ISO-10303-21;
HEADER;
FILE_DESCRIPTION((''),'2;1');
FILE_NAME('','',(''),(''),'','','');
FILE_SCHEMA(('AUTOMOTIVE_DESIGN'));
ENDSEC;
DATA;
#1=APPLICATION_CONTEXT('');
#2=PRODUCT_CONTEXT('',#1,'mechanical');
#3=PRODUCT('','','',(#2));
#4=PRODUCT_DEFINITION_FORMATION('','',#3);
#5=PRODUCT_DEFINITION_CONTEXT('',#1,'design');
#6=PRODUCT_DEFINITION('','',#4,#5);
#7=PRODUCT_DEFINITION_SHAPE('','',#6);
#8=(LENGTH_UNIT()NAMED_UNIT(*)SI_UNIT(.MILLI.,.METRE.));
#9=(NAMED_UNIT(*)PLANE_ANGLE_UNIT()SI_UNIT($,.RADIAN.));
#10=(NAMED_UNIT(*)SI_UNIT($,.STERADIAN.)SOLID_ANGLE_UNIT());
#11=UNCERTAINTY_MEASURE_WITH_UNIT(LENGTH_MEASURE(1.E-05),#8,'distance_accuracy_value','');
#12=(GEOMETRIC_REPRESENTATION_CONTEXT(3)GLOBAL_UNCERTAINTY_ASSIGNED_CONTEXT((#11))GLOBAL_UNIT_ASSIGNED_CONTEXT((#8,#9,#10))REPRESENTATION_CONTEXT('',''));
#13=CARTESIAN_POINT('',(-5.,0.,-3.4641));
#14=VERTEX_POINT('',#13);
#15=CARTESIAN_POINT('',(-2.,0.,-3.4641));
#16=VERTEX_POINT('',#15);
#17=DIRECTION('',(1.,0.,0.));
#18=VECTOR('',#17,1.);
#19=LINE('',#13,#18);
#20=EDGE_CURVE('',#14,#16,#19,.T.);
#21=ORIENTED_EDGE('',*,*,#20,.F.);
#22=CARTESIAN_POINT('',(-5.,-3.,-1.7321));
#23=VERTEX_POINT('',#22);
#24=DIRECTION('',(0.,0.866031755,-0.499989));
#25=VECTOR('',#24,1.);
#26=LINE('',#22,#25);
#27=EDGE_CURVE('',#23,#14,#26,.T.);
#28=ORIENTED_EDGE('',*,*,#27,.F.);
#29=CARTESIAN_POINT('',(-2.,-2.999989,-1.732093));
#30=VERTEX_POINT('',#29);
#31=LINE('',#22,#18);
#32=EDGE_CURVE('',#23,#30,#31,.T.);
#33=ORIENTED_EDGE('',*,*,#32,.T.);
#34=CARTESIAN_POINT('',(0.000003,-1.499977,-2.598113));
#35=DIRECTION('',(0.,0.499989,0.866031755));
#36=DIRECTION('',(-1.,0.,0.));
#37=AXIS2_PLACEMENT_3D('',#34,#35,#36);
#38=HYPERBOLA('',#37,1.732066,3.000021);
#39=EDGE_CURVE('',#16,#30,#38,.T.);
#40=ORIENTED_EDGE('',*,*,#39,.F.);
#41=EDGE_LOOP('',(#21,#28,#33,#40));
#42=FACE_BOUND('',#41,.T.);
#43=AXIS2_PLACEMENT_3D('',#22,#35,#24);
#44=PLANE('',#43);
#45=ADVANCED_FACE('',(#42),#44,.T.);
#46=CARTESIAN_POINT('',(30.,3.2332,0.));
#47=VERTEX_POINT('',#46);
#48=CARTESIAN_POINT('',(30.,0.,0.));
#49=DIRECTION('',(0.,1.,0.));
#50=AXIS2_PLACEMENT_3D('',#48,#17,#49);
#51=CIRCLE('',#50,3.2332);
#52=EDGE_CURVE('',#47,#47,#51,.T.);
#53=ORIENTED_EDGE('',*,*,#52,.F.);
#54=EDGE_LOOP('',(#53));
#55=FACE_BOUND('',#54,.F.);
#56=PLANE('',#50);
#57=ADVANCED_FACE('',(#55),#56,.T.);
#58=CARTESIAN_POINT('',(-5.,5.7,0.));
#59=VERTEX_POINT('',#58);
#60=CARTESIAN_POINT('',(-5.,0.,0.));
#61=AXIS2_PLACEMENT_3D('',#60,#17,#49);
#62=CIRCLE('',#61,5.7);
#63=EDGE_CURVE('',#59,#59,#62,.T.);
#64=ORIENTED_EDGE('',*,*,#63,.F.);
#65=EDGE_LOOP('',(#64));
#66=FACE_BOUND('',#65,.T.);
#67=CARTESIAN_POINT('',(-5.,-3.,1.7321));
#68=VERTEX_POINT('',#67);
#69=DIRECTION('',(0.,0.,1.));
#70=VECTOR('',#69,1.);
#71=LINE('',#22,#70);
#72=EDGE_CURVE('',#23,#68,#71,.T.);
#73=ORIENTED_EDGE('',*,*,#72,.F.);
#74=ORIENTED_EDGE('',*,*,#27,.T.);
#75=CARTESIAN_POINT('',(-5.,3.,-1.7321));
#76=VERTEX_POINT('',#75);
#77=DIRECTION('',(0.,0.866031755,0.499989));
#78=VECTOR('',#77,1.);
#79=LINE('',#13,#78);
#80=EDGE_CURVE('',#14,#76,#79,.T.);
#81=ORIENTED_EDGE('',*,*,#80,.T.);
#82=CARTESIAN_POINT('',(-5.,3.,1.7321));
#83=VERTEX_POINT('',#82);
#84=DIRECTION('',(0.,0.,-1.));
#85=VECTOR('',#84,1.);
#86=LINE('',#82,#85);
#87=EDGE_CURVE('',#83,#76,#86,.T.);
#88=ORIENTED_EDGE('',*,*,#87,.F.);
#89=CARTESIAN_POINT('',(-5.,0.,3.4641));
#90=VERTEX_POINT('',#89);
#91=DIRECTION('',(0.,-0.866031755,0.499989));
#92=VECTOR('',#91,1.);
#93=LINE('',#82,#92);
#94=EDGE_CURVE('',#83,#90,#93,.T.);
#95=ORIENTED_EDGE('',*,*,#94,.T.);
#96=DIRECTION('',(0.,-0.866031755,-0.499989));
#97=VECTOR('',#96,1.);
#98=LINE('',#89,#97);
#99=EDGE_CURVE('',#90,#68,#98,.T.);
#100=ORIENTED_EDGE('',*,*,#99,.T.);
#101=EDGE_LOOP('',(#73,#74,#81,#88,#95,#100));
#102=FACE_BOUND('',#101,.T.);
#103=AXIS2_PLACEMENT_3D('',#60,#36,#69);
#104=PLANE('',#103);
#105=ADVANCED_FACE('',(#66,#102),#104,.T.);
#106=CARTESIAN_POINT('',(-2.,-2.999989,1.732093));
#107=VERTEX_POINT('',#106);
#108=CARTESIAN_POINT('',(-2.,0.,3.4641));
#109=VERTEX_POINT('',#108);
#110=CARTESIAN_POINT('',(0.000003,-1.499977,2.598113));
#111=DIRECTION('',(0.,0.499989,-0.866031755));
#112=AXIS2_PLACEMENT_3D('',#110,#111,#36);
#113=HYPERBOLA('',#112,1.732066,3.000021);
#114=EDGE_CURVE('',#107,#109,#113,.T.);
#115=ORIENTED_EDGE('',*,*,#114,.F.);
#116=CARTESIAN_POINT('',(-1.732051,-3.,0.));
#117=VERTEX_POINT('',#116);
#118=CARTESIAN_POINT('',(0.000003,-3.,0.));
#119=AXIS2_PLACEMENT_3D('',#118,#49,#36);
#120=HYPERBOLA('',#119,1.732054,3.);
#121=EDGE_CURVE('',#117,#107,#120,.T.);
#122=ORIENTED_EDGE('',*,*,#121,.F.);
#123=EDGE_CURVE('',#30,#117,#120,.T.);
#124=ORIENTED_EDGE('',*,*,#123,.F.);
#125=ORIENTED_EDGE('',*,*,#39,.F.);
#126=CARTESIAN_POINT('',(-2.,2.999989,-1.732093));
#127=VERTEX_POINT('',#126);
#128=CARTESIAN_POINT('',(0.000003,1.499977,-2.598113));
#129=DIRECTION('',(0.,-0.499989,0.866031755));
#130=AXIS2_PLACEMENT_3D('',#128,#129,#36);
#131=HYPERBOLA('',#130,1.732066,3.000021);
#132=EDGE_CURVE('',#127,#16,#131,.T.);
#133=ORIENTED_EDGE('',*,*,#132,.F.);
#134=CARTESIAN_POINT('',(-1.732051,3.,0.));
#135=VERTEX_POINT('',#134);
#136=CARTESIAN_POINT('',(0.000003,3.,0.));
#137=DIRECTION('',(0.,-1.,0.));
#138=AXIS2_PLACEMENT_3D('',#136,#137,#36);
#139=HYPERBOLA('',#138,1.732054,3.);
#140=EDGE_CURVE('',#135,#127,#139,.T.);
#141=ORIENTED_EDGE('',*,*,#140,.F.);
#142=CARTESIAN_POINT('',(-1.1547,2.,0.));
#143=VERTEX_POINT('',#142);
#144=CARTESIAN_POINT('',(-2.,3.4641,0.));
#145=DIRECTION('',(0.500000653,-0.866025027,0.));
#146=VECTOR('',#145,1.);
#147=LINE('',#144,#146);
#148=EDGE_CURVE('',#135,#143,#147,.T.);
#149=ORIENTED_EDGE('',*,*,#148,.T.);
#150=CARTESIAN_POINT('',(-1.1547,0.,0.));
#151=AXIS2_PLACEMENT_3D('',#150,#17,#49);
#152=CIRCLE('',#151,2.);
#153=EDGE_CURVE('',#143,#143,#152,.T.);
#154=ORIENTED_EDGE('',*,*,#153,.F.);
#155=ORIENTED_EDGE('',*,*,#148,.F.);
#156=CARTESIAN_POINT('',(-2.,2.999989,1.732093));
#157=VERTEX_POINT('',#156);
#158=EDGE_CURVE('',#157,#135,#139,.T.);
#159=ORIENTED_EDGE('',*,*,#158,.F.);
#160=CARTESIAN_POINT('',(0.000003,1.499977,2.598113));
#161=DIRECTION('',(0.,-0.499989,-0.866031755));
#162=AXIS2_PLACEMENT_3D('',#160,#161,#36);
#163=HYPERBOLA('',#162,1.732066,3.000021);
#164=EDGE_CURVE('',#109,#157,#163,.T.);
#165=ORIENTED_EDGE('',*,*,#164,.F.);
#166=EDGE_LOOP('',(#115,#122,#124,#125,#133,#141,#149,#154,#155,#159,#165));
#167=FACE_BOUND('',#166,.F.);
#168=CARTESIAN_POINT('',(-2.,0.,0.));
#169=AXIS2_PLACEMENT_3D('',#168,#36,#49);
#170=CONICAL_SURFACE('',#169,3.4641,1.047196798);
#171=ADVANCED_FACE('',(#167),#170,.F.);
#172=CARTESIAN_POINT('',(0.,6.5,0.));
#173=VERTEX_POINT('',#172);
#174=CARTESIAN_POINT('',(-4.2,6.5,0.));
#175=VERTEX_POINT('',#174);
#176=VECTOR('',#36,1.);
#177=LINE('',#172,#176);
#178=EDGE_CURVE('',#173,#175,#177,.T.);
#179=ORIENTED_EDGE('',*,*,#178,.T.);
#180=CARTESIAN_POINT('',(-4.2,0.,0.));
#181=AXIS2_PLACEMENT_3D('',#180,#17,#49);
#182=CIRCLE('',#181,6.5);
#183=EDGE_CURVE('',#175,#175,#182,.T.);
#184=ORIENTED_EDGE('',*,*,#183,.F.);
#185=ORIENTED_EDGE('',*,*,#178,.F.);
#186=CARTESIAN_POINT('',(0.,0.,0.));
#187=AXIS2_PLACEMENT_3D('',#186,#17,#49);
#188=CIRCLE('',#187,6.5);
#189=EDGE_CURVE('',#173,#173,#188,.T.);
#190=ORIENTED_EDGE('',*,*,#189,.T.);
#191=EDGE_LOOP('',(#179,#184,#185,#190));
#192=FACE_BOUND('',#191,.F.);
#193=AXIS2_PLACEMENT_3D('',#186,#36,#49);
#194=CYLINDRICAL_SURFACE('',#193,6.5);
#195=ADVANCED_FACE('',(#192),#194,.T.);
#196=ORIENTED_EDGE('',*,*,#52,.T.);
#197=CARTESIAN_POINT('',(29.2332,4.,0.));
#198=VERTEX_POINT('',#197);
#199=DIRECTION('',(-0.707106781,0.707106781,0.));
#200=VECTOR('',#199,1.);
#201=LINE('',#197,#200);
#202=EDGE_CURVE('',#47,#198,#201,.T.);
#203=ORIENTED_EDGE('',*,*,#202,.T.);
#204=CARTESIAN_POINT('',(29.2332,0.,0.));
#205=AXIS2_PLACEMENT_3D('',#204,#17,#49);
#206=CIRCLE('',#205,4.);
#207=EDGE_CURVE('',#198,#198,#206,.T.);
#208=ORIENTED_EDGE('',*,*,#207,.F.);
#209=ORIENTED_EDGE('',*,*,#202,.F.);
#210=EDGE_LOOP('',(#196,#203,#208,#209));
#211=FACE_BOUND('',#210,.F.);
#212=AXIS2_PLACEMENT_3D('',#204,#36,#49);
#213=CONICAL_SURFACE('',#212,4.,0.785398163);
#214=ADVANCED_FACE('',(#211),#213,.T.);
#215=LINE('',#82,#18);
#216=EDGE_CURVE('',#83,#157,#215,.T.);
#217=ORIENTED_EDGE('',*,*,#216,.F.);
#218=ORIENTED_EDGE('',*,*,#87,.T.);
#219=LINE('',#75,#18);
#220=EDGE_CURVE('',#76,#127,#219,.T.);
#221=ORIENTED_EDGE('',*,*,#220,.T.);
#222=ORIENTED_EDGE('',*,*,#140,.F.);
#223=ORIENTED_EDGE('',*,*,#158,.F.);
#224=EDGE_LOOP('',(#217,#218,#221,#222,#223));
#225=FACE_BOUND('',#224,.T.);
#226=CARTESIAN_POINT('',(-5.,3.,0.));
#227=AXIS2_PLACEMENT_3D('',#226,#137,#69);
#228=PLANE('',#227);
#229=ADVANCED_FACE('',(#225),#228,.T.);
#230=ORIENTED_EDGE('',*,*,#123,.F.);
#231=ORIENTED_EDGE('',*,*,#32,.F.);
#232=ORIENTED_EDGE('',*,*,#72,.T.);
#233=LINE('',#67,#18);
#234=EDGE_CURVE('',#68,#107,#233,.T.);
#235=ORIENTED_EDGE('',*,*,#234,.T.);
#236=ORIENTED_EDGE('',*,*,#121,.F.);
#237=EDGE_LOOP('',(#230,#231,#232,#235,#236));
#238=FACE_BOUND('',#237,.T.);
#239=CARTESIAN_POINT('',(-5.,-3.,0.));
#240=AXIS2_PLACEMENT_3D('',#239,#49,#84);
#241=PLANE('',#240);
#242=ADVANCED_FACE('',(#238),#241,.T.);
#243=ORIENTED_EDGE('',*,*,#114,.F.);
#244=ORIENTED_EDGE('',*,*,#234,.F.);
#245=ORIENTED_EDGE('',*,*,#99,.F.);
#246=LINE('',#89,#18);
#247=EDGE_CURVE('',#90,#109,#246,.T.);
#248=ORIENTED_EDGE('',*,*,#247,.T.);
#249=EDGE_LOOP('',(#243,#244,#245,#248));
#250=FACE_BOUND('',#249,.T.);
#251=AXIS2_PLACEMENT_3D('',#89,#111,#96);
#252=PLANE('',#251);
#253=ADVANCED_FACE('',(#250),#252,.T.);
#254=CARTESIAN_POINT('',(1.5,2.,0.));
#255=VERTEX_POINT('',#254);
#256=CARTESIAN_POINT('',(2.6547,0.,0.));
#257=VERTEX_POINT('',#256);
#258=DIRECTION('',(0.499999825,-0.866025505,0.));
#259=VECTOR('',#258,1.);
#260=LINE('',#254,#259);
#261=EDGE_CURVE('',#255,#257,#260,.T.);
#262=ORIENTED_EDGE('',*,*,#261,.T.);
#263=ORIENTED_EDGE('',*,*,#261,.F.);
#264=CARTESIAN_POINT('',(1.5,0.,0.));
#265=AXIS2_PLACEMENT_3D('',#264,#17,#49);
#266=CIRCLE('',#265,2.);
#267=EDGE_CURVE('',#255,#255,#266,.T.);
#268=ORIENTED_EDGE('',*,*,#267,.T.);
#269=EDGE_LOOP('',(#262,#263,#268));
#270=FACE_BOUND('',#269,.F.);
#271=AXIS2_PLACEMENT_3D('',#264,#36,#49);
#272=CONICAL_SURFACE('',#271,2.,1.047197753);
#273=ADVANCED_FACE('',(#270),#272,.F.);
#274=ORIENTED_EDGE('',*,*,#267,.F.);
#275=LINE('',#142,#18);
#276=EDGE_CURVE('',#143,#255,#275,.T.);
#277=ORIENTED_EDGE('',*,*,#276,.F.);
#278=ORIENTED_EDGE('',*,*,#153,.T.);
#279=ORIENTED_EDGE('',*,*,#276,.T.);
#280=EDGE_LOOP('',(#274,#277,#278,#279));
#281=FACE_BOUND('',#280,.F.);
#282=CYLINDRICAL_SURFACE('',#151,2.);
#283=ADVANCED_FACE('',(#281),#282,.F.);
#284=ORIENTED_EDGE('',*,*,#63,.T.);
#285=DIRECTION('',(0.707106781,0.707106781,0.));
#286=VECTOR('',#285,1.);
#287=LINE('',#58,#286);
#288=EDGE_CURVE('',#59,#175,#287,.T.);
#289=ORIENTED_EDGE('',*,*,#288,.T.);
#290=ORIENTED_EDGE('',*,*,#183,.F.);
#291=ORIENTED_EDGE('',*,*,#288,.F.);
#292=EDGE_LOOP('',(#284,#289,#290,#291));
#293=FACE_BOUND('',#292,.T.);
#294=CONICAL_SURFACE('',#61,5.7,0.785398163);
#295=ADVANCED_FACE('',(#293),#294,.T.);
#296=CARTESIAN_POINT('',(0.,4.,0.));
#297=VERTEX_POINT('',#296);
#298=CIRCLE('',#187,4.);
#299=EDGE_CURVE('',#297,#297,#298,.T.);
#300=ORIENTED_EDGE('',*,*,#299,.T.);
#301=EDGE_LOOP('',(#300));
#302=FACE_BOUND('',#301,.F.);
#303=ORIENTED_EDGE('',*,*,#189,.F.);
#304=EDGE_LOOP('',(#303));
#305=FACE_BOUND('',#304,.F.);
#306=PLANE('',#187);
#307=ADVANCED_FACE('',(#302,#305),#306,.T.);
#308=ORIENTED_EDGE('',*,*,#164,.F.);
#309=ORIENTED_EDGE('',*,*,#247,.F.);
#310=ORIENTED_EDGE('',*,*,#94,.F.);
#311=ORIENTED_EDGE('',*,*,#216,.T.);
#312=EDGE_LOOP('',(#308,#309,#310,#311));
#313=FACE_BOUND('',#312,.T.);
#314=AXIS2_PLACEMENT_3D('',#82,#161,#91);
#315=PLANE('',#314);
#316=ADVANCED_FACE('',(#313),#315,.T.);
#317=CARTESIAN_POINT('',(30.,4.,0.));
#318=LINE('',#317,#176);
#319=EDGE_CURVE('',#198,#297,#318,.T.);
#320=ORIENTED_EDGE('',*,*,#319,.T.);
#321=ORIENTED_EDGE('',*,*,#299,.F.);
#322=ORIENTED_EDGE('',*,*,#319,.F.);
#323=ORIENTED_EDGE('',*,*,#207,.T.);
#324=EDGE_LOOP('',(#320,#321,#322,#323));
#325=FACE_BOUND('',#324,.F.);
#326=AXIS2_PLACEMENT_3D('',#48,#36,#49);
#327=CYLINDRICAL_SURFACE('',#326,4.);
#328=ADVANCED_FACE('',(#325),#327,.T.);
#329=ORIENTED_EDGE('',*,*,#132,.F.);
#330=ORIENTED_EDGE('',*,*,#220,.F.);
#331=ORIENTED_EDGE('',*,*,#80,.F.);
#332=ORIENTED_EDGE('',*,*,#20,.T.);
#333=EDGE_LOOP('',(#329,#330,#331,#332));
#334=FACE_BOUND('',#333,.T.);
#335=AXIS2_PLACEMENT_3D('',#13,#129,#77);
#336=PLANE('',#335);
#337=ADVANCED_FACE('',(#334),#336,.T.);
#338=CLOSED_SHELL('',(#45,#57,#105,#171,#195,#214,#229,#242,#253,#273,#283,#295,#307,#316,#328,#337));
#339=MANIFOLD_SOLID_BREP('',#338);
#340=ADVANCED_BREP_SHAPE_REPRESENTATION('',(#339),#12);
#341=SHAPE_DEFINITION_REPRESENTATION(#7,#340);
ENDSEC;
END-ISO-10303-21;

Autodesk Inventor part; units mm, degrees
ref_plane "YZ Plane" through (0, 0, 0) normal (1, 0, 0) x (0, 1, 0)
ref_plane "XZ Plane" through (0, 0, 0) normal (0, 1, 0) x (-1, 0, 0)
sketch "Schizzo1" plane through (0, 0, 0) normal (0, 0, 1) x (1, 0, 0)
  line L0 (2.6547, 0) -> (30, 0)
  line L1 (30, 0) -> (30, 4)
  line L2 (30, 4) -> (0, 4)
  line L3 (0, 4) -> (0, 6.5)
  line L4 (0, 6.5) -> (-5, 6.5)
  line L5 (-5, 6.5) -> (-5, 3.4641)
  line L6 (-5, 3.4641) -> (-2, 3.4641)
  line L7 (-2, 3.4641) -> (-1.1547, 2)
  line L8 (-12, 0) -> (37, 0) projected
  line L9 (0, -1.3) -> (0, 7.8) projected
  line L10 (-1.1547, 2) -> (1.5, 2)
  line L11 (1.5, 2) -> (2.6547, 0)
  line L12 (-5, 3.4641) -> (-5, 0) construction
  line L13 (-5, 5.7) -> (-4.2, 6.5)
  dimension "d0" = 5
  dimension "d1" = 3
  dimension "d2" = 60
  dimension "d3" = 8
  dimension "d4" = 6.9282
  dimension "d5" = 13
  dimension "d15" = 6.5
  dimension "d16" = 4
  dimension "d17" = 30
  dimension "d32" = 45
  dimension "d33" = 0.8
revolve "Corpo" add sketch "Schizzo1" angle 360 about axis through (2.6547, 0, 0) along (1, 0, 0) contours L11 L10 L9 L2 L1 L0 | L10 L7 L6 L5 L13 L4 L3 L9 | L13 L5 L4
revolve "Smusso2" cut sketch "Schizzo1" angle 360 about axis through (-10, 0, 0) along (1, 0, 0) contours L13 L5 L4
sketch "Schizzo2" plane through (-5, 0, 0) normal (-1, 0, 0) x (0, 0, 1)
  circle A0 centre (0, 0) radius 3.4641 projected
  line L0 (0, -9.1) -> (0, 9.1) projected
  line L1 (-9.1, 0) -> (9.1, 0) projected
  line L2 (3.4641, 0) -> (1.7321, -3)
  line L3 (1.7321, -3) -> (-1.7321, -3)
  line L4 (-1.7321, -3) -> (-3.4641, 0)
  line L5 (-3.4641, 0) -> (-1.7321, 3)
  line L6 (-1.7321, 3) -> (1.7321, 3)
  line L7 (1.7321, 3) -> (3.4641, 0)
  point P0 (0, 0)
extrude "Intaglio" add sketch "Schizzo2" against normal up to next contours L7 A0 | A0 L2 | L6 L0 A0 | A0 L0 L3 | L0 L6 A0 | A0 L3 L0 | L4 A0 | A0 L5
thread "Filettatura" size "M8x1.25" class "6g" standard "ISO Metric profile" length 23
chamfer "Smusso1" distance 0.7668 distance2 0.7668 1 edges at (30, -4, 0) measured on face at (30, -0.4013, -0.6579)
ref_plane "Work Plane1" through (15, 0, 0) normal (0, 0.5, 0.866) x (1, 0, 0)
equation "\"d0\" = KOH"
equation "\"d1\" = INTI"
equation "\"d3\" = GD"
equation "\"d4\" = 1.1547 * SW"
equation "\"d5\" = KOD"
equation "\"d15\" = INFT"
equation "\"d16\" = SDT"
equation "\"d17\" = NLG"
equation "\"d33\" = Cham"
equation "\"d7\" = GEL"
equation "\"d9\" = -0.5 * SPD + 0.5 * GD"
equation "\"d12\" = GUL"
equation "\"GD\" = NND"
equation "\"NLG\" = 30"
equation "\"GEL\" = 23"
equation "\"KOD\" = 13"
equation "\"KOH\" = 5"
equation "\"GUL\" = 0.61345 * PTC"
equation "\"SW\" = 6"
equation "\"INTI\" = 3"
equation "\"SPD\" = NND - 1.2269 * PTC"
equation "\"SDT\" = 4"
equation "\"INFT\" = 6.5"
equation "\"Cham\" = 0.8"
equation "\"TOA\" = 30deg"
equation "\"GD1\" = THREADDIA - 1.2269 * PTC"
equation "\"THREADDIA\" = 8"
equation "\"BDM\" = NND"
equation "\"FAWI\" = 45deg"
equation "\"RR\" = 0.1 * NND"
equation "\"PTC\" = 1.25"
equation "\"NND\" = 8"
equation "\"FAWI1\" = 45deg"
equation "\"GAL\" = 0.61345 * PTC"
equation "\"E0\" = 1.155 * SW"
properties part number "DIN 6912 - M8 x 30" material "Acciaio, Dolce"
